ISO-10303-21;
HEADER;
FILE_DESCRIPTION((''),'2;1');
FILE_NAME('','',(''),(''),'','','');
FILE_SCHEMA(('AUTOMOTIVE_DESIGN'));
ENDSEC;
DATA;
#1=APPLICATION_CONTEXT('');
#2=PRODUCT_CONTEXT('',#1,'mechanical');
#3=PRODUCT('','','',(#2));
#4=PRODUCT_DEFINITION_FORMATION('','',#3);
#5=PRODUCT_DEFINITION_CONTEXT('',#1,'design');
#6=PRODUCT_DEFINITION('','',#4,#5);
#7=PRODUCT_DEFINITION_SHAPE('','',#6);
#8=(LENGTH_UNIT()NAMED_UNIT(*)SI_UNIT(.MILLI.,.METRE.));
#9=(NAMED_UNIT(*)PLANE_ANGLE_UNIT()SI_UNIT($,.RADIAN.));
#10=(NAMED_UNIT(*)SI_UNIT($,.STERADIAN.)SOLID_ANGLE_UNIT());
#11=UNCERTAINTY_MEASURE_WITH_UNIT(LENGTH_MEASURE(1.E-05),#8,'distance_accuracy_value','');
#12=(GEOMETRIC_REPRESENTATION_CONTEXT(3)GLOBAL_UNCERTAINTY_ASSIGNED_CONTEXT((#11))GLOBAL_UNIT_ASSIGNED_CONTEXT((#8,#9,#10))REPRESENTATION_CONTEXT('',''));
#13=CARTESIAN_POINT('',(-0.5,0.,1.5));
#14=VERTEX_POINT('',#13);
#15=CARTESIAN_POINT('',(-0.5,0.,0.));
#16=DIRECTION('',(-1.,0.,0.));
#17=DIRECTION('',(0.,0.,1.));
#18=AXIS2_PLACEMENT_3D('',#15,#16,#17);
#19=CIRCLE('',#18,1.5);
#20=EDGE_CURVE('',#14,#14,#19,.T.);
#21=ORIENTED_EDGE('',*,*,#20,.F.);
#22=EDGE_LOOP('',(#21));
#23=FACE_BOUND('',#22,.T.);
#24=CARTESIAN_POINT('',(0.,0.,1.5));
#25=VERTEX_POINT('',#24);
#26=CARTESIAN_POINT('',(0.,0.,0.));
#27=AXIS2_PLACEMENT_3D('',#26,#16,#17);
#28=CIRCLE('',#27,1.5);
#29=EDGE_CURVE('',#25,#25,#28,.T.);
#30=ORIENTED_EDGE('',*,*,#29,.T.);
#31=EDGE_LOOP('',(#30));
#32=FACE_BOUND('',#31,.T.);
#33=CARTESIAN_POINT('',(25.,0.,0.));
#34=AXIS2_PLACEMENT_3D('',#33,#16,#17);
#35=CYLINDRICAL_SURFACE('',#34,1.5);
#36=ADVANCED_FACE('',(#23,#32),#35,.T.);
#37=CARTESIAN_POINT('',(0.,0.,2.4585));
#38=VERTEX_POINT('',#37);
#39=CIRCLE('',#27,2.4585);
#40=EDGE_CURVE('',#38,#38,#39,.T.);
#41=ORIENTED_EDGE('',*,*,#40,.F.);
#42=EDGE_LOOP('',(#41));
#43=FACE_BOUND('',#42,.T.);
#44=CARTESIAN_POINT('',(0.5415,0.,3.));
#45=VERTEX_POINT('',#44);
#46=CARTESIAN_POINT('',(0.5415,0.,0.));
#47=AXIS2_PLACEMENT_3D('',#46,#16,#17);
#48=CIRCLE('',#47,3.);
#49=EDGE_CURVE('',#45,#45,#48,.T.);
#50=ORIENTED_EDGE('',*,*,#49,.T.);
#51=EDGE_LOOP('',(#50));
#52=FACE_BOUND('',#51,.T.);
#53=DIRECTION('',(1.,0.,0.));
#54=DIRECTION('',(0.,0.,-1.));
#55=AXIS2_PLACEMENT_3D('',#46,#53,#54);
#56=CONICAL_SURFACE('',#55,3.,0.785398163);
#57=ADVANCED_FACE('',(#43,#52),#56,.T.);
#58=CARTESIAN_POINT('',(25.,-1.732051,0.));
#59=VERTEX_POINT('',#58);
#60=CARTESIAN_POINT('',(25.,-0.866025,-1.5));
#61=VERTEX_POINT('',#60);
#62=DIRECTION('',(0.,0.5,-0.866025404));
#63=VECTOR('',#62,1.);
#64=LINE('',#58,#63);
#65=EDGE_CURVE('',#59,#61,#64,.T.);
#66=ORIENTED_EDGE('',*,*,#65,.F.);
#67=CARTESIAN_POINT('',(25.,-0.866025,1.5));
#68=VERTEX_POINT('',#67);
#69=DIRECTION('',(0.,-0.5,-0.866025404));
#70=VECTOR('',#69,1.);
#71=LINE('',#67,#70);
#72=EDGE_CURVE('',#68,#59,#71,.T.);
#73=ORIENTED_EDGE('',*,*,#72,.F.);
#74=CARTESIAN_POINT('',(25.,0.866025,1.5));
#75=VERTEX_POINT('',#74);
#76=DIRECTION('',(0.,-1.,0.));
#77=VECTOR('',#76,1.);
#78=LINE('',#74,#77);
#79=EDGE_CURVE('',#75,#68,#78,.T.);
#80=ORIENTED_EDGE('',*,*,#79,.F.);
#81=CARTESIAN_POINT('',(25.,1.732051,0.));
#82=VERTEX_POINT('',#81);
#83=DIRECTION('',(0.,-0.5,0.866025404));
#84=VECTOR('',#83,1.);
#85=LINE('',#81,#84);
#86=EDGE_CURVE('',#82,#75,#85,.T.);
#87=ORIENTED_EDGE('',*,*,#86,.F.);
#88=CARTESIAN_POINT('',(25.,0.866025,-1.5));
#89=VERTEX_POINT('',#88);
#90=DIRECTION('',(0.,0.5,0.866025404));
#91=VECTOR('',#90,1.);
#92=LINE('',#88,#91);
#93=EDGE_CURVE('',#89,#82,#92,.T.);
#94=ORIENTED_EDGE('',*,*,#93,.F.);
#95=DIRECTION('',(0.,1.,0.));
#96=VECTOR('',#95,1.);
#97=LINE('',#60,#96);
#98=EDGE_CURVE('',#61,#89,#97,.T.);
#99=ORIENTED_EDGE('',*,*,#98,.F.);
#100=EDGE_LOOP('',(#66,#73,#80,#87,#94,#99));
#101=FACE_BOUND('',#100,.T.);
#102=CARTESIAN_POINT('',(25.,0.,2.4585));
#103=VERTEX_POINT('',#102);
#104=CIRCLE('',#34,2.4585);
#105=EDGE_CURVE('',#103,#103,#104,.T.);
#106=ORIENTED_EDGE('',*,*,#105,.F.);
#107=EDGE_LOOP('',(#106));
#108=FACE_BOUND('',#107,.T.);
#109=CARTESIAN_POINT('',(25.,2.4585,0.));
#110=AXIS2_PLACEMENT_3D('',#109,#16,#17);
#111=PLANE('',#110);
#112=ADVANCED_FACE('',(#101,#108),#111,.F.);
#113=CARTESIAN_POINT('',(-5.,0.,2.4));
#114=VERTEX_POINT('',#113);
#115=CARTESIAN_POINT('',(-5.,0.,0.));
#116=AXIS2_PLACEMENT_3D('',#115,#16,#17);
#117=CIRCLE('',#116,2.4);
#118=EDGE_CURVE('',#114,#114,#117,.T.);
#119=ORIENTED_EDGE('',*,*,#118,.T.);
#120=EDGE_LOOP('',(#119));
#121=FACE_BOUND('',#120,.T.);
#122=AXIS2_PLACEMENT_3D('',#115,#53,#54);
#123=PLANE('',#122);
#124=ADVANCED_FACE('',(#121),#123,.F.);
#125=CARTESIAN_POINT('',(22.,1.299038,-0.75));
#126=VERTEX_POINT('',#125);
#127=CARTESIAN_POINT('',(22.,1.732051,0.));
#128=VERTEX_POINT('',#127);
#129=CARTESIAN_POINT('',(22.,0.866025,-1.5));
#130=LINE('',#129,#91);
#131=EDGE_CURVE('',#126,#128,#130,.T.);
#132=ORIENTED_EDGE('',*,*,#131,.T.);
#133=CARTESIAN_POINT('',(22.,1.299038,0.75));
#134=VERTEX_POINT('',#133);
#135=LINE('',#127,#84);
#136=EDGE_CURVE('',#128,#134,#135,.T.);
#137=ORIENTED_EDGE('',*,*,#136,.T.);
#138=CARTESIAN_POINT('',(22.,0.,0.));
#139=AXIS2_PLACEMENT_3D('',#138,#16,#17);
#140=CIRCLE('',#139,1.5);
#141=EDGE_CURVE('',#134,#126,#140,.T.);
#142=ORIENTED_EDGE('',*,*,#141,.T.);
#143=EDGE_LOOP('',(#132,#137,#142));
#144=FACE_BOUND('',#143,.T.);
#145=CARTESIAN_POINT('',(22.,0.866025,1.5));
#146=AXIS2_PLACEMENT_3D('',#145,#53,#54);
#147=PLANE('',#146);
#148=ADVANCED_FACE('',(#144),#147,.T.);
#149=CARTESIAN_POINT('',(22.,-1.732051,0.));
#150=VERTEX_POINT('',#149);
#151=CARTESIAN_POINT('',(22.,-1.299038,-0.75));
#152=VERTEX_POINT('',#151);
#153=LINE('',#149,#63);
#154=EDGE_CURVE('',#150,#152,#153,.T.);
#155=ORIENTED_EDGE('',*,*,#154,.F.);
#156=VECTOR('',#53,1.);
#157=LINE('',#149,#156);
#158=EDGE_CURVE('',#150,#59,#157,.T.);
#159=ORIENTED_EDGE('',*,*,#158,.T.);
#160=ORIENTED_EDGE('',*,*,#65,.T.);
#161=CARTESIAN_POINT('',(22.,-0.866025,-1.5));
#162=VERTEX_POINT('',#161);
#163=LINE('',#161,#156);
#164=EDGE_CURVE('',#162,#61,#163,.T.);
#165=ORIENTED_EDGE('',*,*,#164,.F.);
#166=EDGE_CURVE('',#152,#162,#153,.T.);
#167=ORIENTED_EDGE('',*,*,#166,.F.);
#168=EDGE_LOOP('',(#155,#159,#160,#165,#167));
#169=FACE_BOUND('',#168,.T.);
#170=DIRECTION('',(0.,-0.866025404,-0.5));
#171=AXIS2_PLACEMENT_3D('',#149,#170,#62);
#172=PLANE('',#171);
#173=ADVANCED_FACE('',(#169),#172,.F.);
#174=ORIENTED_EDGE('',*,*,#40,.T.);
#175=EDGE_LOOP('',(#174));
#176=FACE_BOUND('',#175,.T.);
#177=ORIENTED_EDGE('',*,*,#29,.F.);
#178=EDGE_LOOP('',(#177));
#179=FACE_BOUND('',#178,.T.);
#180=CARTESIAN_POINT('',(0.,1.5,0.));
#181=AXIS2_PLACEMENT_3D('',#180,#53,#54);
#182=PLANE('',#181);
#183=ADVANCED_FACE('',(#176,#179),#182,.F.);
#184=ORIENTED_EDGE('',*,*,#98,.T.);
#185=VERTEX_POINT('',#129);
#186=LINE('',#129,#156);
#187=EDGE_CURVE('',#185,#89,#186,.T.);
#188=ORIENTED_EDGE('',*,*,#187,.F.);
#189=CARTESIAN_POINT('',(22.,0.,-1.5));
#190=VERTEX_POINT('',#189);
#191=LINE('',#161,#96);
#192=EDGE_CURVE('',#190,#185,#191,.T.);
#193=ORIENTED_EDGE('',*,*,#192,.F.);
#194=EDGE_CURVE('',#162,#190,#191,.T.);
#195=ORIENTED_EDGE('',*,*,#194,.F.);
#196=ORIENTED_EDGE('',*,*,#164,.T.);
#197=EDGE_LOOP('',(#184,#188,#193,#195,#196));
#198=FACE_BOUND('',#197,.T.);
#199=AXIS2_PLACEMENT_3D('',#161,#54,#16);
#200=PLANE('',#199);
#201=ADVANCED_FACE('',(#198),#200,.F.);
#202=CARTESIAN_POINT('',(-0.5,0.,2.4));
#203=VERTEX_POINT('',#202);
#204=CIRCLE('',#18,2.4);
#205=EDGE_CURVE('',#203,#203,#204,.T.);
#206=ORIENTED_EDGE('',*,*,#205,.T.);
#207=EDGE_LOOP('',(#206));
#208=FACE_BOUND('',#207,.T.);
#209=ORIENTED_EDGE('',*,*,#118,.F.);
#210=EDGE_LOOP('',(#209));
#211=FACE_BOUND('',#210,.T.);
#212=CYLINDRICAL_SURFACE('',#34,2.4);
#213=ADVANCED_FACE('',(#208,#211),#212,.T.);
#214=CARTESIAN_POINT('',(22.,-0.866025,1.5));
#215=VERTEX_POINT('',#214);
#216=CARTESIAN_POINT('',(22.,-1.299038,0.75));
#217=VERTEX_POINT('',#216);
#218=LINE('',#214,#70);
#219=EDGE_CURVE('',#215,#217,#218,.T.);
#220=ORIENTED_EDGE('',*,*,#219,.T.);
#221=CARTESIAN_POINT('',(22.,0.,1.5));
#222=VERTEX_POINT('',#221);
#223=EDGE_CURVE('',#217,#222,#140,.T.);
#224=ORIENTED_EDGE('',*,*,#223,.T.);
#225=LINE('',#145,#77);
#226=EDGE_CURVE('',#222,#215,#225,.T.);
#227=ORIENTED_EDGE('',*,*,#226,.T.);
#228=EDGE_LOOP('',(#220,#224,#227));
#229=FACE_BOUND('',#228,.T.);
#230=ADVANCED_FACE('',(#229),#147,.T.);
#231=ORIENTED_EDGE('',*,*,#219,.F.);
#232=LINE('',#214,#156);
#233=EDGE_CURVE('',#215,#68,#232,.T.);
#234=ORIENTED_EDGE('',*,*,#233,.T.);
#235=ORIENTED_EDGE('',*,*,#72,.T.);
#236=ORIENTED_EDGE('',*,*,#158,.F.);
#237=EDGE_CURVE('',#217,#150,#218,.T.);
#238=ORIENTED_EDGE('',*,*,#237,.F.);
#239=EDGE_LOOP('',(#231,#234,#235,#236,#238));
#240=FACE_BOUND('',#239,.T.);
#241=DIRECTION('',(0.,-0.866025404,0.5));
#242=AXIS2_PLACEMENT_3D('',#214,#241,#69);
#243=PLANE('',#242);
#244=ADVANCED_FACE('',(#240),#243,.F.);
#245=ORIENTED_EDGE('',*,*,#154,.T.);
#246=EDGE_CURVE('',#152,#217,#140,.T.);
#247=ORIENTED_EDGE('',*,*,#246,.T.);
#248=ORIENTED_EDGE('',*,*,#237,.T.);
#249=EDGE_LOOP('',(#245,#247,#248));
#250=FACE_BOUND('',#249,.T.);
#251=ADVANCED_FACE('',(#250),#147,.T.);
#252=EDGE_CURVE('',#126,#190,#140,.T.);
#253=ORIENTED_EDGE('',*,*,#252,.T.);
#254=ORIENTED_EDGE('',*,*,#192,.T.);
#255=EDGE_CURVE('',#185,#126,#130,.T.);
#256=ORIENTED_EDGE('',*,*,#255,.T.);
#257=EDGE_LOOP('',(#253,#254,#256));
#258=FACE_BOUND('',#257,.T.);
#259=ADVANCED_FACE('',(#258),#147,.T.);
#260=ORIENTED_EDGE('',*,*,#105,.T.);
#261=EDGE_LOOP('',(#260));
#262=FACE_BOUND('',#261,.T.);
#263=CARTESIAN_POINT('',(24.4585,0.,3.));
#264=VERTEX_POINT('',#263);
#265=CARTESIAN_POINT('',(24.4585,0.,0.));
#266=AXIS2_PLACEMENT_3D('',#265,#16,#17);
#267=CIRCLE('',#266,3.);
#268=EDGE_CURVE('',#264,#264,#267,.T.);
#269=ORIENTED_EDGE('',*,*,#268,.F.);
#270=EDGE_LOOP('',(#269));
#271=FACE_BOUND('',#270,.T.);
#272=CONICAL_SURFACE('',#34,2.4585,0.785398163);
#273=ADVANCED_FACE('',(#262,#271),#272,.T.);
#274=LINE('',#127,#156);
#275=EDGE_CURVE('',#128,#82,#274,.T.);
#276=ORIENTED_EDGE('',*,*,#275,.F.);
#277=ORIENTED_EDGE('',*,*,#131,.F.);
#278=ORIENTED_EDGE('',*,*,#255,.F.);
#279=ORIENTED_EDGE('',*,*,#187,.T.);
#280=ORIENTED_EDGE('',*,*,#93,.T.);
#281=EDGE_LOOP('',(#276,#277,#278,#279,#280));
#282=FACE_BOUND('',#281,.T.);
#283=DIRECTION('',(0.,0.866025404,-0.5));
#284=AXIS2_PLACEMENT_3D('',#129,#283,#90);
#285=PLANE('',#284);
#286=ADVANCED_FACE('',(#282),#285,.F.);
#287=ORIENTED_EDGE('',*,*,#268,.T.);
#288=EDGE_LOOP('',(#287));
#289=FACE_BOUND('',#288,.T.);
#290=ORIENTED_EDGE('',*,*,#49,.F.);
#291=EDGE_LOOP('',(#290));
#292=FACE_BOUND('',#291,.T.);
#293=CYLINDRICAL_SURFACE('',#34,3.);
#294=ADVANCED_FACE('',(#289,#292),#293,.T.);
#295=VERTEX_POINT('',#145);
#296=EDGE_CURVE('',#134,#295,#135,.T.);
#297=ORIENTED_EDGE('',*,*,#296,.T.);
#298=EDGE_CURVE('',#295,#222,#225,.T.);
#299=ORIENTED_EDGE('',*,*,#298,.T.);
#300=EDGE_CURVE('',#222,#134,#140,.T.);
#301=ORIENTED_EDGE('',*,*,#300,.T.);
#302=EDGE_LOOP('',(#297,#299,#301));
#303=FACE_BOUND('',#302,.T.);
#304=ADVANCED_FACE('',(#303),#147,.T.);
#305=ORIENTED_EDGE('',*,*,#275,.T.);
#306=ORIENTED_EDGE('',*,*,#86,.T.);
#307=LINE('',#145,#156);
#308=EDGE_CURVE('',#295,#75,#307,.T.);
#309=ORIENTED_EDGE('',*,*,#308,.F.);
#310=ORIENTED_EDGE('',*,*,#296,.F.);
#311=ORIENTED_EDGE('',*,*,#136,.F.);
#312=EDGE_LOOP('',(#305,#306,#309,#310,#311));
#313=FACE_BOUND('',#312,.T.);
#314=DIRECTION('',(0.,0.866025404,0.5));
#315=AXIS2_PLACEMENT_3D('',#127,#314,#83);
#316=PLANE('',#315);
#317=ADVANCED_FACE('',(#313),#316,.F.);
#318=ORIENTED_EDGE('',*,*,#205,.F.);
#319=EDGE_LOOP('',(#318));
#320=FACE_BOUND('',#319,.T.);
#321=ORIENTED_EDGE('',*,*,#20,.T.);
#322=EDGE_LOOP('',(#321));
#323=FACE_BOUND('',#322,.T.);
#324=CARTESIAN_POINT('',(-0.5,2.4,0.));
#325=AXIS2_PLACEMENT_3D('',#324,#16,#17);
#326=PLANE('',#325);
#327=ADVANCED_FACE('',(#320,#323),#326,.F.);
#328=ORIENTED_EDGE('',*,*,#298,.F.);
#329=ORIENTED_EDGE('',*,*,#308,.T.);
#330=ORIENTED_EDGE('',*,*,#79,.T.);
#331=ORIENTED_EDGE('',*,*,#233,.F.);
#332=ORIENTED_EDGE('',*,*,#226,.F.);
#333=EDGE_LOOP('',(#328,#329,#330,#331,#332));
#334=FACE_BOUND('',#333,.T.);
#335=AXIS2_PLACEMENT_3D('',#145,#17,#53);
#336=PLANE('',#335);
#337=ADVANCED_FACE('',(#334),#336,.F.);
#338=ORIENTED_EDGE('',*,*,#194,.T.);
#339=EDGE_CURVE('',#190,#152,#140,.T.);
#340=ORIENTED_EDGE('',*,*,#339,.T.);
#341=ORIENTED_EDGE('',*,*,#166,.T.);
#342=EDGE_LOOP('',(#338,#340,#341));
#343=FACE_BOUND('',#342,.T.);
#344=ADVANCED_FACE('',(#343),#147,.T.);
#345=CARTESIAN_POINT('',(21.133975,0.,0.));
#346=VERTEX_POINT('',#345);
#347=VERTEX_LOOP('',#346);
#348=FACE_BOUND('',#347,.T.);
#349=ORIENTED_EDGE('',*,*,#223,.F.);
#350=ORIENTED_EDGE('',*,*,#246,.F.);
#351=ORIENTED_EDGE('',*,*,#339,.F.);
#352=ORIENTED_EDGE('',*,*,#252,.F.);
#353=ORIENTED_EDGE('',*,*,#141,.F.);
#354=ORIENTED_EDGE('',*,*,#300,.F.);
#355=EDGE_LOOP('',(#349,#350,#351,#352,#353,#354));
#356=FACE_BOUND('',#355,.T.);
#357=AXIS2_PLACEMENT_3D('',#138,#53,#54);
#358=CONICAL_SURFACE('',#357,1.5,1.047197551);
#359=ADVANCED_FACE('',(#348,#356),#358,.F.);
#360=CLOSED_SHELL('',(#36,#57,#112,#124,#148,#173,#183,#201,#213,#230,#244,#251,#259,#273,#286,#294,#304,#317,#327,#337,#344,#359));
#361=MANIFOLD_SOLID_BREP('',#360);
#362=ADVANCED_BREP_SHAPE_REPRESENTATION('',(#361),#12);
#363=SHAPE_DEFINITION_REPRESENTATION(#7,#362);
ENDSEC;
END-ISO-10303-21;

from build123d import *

# Parameters (mm, degrees)
CUT_EXTRUDE_1_DEPTH = 3


with BuildPart() as part:
    # 草图1 → 旋转1 (revolve)
    with BuildSketch(Plane.XY):
        Polygon((-5, 0), (-5, 2.4), (-0.5, 2.4), (-0.5, 1.5), (0, 1.5), (0, 2.4585), (0.5415, 3), (24.4585, 3), (25, 2.4585), (25, 0), align=None)
    revolve(axis=Axis((25, 0, 0), (-1, 0, 0)))

    # 草图2 → 切除-旋转1 (revolve, cut)
    with BuildSketch(Plane(origin=(0, 0, 0), x_dir=(1, 0, 0), z_dir=(0, 1, 0))):
        Polygon((21.133974596, 0), (22, 1.5), (25, 1.5), (25, 0), align=None)
    revolve(axis=Axis((25, 0, 0), (-1, 0, 0)), mode=Mode.SUBTRACT)

    # 草图3 → 切除-拉伸1 (cut)
    with BuildSketch(Plane(origin=(25, 0, 0), x_dir=(0, 0, -1), z_dir=(1, 0, 0))):
        Polygon((-1.5, 0.866025404), (-1.5, -0.866025404), (0, -1.732050808), (1.5, -0.866025404), (1.5, 0.866025404), (0, 1.732050808), align=None)
    extrude(amount=-CUT_EXTRUDE_1_DEPTH, mode=Mode.SUBTRACT)


solid = part.part
